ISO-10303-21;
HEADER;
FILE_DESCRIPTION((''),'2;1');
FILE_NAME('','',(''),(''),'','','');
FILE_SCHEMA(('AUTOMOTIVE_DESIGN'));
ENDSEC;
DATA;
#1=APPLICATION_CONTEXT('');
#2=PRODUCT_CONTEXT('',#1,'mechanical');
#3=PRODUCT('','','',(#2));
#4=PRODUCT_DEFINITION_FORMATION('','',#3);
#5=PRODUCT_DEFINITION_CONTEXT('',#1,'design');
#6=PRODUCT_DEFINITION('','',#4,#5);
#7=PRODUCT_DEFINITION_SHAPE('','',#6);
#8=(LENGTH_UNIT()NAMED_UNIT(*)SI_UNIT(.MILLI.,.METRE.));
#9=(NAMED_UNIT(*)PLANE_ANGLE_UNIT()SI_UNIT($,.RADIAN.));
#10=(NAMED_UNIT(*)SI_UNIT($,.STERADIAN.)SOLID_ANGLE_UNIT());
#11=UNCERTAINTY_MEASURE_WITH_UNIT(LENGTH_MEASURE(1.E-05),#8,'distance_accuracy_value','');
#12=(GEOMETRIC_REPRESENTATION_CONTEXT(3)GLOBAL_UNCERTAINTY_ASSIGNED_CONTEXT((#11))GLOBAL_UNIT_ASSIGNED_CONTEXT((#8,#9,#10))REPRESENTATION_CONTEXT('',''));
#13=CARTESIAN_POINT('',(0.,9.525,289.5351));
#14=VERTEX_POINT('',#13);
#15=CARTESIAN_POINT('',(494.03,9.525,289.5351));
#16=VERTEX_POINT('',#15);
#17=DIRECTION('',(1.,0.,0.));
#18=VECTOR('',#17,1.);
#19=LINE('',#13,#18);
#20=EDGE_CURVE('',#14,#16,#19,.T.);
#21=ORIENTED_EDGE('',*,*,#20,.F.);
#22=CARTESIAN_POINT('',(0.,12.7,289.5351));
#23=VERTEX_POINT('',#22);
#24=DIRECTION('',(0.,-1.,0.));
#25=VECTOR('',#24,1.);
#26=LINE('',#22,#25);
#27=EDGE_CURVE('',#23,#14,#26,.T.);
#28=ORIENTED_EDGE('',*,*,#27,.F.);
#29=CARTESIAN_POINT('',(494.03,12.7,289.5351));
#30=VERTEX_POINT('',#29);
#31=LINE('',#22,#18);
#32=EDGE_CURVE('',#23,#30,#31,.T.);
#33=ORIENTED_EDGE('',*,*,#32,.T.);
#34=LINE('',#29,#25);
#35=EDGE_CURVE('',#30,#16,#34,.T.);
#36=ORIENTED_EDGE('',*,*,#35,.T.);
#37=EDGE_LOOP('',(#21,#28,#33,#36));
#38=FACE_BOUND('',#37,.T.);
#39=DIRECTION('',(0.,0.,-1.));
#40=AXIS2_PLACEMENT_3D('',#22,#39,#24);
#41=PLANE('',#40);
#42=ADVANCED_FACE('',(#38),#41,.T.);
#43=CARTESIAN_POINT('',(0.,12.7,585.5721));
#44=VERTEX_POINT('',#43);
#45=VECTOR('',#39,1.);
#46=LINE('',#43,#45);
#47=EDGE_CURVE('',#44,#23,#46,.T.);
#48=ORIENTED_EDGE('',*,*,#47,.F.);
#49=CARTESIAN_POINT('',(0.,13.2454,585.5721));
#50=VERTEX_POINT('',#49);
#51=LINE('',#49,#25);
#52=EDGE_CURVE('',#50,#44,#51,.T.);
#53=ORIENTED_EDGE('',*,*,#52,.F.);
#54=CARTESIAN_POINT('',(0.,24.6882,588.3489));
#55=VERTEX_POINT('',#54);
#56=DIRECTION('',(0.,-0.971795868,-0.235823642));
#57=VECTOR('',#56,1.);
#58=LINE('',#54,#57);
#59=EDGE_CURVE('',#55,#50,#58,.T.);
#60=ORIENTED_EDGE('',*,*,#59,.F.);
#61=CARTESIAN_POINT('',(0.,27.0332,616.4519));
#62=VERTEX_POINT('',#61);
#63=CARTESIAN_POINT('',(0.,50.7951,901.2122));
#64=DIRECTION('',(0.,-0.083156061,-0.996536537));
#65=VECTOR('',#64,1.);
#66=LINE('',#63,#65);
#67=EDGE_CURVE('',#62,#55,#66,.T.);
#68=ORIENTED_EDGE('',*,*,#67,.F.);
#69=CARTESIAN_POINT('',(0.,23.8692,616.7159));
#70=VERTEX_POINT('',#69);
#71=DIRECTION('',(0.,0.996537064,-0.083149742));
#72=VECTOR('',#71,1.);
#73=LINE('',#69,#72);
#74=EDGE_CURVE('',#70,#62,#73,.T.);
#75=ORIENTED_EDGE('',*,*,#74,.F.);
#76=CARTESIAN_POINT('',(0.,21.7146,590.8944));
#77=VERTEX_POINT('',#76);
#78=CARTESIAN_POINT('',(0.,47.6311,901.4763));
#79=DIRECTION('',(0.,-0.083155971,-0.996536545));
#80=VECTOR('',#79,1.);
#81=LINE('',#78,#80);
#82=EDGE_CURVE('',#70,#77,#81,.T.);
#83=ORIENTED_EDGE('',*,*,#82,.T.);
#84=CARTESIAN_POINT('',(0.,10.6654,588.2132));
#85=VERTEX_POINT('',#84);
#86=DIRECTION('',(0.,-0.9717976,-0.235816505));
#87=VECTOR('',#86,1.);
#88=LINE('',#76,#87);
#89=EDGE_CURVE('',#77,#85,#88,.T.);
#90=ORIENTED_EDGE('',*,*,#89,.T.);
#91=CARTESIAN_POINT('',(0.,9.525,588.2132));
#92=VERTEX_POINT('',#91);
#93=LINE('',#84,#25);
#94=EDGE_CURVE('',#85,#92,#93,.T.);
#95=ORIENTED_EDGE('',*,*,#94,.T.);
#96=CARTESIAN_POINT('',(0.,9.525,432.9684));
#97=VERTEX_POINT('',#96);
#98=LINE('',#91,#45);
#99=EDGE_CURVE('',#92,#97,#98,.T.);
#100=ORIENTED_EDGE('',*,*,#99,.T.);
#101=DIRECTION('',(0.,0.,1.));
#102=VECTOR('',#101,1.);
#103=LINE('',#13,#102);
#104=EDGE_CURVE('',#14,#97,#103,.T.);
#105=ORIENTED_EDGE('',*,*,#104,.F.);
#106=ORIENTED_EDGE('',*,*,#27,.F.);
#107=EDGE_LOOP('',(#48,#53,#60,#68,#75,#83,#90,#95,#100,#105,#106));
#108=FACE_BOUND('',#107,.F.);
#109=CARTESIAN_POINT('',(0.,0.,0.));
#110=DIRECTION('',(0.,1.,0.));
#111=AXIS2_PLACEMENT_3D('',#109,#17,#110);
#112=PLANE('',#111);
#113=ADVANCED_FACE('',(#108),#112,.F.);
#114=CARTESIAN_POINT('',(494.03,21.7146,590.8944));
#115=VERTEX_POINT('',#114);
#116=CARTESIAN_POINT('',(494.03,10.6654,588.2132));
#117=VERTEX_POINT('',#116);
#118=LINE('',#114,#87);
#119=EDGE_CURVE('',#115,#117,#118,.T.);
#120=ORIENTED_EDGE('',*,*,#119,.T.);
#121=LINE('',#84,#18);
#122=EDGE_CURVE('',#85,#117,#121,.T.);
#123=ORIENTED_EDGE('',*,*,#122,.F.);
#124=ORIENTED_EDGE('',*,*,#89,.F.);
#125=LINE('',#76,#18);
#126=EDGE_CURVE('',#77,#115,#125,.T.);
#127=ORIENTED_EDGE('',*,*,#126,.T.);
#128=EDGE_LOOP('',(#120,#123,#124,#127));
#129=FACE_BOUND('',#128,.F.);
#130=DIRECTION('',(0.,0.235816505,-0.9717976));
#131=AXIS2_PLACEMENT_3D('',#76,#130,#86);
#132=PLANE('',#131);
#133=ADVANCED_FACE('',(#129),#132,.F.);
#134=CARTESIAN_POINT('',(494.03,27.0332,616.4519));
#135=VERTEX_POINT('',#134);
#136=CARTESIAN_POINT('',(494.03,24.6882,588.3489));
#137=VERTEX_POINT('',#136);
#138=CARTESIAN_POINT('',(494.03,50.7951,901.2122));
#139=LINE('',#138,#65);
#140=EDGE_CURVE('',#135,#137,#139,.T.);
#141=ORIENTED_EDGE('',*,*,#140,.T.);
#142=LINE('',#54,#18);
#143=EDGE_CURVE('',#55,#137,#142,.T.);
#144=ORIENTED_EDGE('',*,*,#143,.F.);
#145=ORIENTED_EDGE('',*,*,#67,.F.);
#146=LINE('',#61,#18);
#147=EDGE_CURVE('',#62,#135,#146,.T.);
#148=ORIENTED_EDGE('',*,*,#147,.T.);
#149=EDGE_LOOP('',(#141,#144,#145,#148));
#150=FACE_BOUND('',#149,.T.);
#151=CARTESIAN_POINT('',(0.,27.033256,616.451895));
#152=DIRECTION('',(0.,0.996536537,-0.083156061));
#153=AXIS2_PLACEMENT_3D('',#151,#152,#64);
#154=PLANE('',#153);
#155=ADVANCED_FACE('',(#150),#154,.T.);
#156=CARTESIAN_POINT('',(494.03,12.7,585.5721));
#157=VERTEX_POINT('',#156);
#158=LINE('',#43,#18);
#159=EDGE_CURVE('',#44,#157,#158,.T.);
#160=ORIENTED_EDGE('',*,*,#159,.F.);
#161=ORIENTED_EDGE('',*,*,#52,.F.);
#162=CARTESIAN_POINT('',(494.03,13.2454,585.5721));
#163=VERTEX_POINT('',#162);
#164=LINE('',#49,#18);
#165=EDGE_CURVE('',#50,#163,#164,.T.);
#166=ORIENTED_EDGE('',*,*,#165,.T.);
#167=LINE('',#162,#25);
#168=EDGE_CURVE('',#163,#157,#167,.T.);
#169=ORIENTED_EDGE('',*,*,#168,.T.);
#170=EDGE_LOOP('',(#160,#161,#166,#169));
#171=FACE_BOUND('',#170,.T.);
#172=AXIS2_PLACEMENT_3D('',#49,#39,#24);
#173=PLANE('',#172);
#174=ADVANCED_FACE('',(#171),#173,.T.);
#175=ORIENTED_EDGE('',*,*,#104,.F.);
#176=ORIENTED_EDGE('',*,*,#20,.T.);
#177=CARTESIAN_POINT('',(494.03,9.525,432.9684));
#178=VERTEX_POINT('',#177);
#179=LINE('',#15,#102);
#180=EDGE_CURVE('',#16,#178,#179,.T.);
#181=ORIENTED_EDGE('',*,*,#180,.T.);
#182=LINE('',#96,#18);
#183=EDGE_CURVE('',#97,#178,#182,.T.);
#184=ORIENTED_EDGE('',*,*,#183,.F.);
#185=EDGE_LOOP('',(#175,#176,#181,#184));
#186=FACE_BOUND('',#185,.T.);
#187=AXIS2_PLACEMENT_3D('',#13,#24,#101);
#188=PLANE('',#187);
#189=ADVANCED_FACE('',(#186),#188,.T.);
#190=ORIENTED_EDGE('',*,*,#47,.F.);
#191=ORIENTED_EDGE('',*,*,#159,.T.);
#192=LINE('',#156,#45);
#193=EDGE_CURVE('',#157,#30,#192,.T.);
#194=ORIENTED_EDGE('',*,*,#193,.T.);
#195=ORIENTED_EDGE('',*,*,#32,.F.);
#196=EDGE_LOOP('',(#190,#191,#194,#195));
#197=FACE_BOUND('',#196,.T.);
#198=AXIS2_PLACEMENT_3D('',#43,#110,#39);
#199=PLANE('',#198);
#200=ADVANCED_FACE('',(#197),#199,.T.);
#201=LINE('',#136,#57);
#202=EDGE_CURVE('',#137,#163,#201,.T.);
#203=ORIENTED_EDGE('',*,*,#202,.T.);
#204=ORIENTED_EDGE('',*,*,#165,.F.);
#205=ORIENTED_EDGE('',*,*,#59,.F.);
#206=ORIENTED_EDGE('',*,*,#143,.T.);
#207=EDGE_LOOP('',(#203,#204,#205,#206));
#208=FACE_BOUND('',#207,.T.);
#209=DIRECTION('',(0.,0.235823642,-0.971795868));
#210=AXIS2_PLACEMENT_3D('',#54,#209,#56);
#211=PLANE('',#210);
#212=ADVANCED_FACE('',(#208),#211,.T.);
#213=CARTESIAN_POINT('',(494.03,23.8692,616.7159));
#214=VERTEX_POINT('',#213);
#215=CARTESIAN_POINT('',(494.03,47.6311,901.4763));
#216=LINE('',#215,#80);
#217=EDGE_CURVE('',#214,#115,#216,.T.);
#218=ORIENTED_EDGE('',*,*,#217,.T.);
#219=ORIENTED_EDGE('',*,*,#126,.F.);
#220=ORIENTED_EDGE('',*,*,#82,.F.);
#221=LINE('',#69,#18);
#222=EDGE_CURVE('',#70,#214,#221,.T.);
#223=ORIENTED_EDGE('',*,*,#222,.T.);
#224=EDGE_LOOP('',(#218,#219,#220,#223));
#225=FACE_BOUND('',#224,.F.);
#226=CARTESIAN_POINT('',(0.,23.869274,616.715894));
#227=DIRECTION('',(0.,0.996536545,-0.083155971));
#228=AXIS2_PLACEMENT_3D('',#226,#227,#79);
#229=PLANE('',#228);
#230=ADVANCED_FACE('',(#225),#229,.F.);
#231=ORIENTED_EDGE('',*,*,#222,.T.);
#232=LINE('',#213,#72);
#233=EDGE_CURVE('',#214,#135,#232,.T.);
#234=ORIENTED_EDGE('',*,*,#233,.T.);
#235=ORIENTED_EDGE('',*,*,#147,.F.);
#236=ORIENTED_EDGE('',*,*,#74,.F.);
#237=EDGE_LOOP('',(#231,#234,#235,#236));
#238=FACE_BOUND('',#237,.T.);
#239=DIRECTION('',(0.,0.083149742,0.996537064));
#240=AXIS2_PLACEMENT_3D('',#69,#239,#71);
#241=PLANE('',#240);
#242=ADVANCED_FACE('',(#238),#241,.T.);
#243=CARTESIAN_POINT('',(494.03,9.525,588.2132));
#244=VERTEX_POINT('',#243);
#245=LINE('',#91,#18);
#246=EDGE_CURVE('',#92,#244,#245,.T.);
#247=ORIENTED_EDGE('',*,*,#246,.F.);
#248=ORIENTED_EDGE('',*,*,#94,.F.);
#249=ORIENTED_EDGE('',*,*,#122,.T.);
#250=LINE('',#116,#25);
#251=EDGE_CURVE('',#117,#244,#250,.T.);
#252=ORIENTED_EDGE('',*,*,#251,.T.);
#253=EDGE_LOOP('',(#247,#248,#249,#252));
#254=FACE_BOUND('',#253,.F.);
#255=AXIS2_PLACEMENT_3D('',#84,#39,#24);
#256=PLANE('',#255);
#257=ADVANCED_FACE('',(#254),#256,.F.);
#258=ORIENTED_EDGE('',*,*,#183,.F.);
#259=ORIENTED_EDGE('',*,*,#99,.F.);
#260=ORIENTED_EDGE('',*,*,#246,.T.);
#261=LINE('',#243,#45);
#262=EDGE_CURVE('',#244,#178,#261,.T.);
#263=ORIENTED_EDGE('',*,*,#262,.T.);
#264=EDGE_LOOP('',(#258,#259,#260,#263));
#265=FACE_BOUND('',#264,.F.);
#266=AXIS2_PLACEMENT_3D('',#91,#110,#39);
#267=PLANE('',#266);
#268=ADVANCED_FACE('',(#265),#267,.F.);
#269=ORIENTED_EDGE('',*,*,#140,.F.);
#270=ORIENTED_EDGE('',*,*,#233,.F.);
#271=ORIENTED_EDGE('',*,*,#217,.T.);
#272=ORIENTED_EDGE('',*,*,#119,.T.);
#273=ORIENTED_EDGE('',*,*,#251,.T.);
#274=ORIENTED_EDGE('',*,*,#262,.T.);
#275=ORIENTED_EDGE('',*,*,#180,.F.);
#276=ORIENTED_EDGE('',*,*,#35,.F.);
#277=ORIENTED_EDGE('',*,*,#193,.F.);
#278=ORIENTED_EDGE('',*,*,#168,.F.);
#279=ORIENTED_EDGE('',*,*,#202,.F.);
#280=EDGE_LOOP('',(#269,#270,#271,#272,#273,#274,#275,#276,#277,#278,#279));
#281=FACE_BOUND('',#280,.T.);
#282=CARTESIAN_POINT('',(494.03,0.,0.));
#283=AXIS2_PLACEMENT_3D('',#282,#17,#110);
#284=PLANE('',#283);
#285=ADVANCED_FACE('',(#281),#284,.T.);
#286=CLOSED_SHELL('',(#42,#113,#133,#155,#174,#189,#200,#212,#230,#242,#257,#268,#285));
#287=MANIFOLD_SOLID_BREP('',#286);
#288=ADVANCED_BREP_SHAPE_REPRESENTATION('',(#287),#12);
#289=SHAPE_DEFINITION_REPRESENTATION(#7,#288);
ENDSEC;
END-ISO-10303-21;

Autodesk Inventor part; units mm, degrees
ref_plane "YZ Plane" through (0, 0, 0) normal (1, 0, 0) x (0, 1, 0)
ref_plane "XZ Plane" through (0, 0, 0) normal (0, 1, 0) x (-1, 0, 0)
ref_plane "XY Plane" through (0, 0, 0) normal (0, 0, 1) x (1, 0, 0)
sketch "Sketch1" plane through (0, 0, 0) normal (1, 0, 0) x (0, 1, 0)
  line L0 (0, 0) -> (0, 597.7382)
  line L1 (0, 0) -> (3.175, 0)
  line L2 (3.175, 0) -> (3.175, 594.5632)
  line L3 (3.175, 594.5632) -> (9.906, 594.5632)
  line L4 (9.906, 594.5632) -> (15.756, 595.9828)
  line L5 (0, 597.7382) -> (9.5263, 597.7382)
  line L6 (9.5263, 597.7382) -> (12.7824, 598.5283)
  line L7 (41.2921, 902.0052) -> (15.756, 595.9828)
  line L8 (12.7824, 598.5283) -> (38.1281, 902.2692)
  line L9 (38.1281, 902.2692) -> (41.2921, 902.0052)
  line L10 (41.2921, 902.0052) -> (44.4671, 901.7403)
  line L11 (44.4671, 901.7403) -> (18.7409, 593.44)
  line L12 (18.7409, 593.44) -> (10.2857, 591.3882)
  line L13 (10.2857, 591.3882) -> (6.35, 591.3882)
  line L14 (6.35, 591.3882) -> (6.35, 574.5988)
  line L15 (6.35, 574.5988) -> (3.175, 574.5988)
  line L16 (44.4671, 901.7403) -> (47.6311, 901.4763)
  line L17 (47.6311, 901.4763) -> (21.7146, 590.8944)
  line L18 (21.7146, 590.8944) -> (10.6654, 588.2132)
  line L19 (10.6654, 588.2132) -> (9.525, 588.2132)
  line L20 (9.525, 588.2132) -> (9.525, 432.9684)
  line L21 (9.525, 432.9684) -> (6.35, 432.9684)
  line L22 (6.35, 432.9684) -> (6.35, 574.5988)
  line L23 (32.5862, 759.3601) -> (35.7502, 759.0961)
  line L24 (47.6311, 901.4763) -> (50.7951, 901.2122)
  line L25 (50.7951, 901.2122) -> (24.6882, 588.3489)
  line L26 (24.6882, 588.3489) -> (13.2454, 585.5721)
  line L27 (13.2454, 585.5721) -> (12.7, 585.5721)
  line L28 (12.7, 585.5721) -> (12.7, 289.5351)
  line L29 (23.8692, 616.7159) -> (27.0332, 616.4519)
  line L30 (12.7, 289.5351) -> (9.525, 289.5351)
  line L31 (9.525, 289.5351) -> (9.525, 432.9684)
  point P0 (14.5133, 592.4141)
  dimension "d0" = 594.5632
  dimension "d1" = 3.175
  dimension "d2" = 6.731
  dimension "d7" = 3.175
  dimension "d8" = 6.0198
  dimension "d9" = 166.36
  dimension "d10" = 3.175
  dimension "d11" = 108.41
  dimension "d12" = 3.175
  dimension "d13" = 307.086
  dimension "d18" = 3.175
  dimension "d20" = 307.1025
  dimension "d21" = 8.7006
  dimension "d22" = 3.175
  dimension "d23" = 3.175
  dimension "d24" = 3.9357
  dimension "d25" = 16.7894
  dimension "d28" = 3.175
  dimension "d29" = 3.186
  dimension "d30" = 3.175
  dimension "d32" = 3.175
  dimension "d33" = 3.175
  dimension "d34" = 142.875
  dimension "d35" = 168.7862
  dimension "d36" = 11.3698
  dimension "d37" = 1.1404
  dimension "d38" = 155.2448
  dimension "d41" = 3.175
  dimension "d42" = 3.175
  dimension "d43" = 3.175
  dimension "d44" = 142.875
  dimension "d45" = 296.037
  dimension "d46" = 28.2007
  dimension "d47" = 11.7749
  dimension "d48" = 0.5454
extrude "Extrusion4" add sketch "Sketch1" along normal blind 494.03 contours L20 L19 L18 L17 L29 L25 L26 L27 L28 L30 L31
properties part number "Third_Shingle_Over_Intake_Vent_With_Length_19.45_Inches"
